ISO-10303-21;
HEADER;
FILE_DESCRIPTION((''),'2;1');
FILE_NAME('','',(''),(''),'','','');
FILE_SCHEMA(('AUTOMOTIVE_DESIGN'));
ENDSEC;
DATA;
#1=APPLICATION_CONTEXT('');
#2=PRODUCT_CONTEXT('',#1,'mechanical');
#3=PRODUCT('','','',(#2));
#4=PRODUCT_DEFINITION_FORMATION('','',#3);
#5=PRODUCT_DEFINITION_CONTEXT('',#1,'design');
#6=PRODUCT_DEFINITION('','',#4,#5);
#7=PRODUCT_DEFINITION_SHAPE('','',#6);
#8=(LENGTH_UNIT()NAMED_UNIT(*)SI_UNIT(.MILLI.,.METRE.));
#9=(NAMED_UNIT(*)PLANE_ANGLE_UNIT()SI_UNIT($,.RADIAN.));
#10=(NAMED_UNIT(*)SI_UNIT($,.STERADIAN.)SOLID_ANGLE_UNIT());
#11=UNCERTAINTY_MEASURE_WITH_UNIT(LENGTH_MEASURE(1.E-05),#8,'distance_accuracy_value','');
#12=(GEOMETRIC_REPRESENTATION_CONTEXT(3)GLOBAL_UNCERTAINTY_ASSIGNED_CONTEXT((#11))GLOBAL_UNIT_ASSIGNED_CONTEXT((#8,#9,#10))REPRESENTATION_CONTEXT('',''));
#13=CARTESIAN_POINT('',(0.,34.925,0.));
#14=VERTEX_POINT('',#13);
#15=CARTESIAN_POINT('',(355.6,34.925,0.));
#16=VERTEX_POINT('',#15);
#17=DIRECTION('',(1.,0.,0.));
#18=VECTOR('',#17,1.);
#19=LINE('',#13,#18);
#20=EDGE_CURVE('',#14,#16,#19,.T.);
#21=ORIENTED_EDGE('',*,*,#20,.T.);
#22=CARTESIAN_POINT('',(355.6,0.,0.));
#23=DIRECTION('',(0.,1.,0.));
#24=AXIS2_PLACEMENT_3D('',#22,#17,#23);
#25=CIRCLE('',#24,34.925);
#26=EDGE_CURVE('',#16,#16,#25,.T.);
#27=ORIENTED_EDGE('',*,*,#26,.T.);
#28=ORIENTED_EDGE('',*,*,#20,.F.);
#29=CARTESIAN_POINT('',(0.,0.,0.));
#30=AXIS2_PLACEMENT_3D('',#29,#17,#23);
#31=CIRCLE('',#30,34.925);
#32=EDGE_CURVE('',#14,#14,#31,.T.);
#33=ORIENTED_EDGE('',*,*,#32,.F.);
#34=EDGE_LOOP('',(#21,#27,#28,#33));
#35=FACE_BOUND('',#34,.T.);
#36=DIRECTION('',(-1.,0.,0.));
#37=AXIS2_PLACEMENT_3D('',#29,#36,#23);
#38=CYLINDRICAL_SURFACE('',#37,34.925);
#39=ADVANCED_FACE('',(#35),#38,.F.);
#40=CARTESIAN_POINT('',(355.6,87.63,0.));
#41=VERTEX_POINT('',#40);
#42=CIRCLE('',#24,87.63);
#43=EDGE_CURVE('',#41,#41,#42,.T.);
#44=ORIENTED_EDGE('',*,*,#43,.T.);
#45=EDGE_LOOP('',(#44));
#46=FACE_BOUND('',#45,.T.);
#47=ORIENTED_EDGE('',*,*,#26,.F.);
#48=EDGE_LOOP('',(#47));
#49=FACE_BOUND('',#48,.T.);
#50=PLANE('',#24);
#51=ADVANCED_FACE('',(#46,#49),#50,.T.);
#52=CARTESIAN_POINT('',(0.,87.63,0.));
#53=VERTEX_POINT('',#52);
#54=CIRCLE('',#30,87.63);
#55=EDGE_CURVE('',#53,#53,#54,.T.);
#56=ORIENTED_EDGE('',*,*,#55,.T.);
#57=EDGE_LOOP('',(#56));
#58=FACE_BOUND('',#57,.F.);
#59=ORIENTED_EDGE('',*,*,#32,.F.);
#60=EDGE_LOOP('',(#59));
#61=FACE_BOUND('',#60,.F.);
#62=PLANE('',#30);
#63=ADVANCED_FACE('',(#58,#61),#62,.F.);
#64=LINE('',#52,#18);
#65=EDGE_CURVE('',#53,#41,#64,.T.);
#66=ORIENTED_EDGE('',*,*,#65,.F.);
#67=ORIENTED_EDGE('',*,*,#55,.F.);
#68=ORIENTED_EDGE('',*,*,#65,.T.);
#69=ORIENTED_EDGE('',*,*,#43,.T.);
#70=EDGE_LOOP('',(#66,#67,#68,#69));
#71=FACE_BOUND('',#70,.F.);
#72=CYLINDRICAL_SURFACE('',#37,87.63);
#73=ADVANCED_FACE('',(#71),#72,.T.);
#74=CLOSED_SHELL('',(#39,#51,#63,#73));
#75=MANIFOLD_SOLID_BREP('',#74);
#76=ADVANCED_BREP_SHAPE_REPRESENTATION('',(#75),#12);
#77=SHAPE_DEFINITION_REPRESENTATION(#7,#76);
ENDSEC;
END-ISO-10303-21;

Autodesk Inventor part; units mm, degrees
ref_plane "YZ Plane" through (0, 0, 0) normal (1, 0, 0) x (0, 1, 0)
ref_plane "XZ Plane" through (0, 0, 0) normal (0, 1, 0) x (-1, 0, 0)
ref_plane "XY Plane" through (0, 0, 0) normal (0, 0, 1) x (1, 0, 0)
sketch "Sketch1" plane through (0, 0, 0) normal (1, 0, 0) x (0, 1, 0)
  circle A0 centre (0, 0) radius 87.63
  circle A1 centre (0, 0) radius 34.925
  dimension "d0" = 175.26
  dimension "d1" = 69.85
extrude "Extrusion1" add sketch "Sketch1" along normal blind 355.6
properties part number "grain" material "Rubber"
